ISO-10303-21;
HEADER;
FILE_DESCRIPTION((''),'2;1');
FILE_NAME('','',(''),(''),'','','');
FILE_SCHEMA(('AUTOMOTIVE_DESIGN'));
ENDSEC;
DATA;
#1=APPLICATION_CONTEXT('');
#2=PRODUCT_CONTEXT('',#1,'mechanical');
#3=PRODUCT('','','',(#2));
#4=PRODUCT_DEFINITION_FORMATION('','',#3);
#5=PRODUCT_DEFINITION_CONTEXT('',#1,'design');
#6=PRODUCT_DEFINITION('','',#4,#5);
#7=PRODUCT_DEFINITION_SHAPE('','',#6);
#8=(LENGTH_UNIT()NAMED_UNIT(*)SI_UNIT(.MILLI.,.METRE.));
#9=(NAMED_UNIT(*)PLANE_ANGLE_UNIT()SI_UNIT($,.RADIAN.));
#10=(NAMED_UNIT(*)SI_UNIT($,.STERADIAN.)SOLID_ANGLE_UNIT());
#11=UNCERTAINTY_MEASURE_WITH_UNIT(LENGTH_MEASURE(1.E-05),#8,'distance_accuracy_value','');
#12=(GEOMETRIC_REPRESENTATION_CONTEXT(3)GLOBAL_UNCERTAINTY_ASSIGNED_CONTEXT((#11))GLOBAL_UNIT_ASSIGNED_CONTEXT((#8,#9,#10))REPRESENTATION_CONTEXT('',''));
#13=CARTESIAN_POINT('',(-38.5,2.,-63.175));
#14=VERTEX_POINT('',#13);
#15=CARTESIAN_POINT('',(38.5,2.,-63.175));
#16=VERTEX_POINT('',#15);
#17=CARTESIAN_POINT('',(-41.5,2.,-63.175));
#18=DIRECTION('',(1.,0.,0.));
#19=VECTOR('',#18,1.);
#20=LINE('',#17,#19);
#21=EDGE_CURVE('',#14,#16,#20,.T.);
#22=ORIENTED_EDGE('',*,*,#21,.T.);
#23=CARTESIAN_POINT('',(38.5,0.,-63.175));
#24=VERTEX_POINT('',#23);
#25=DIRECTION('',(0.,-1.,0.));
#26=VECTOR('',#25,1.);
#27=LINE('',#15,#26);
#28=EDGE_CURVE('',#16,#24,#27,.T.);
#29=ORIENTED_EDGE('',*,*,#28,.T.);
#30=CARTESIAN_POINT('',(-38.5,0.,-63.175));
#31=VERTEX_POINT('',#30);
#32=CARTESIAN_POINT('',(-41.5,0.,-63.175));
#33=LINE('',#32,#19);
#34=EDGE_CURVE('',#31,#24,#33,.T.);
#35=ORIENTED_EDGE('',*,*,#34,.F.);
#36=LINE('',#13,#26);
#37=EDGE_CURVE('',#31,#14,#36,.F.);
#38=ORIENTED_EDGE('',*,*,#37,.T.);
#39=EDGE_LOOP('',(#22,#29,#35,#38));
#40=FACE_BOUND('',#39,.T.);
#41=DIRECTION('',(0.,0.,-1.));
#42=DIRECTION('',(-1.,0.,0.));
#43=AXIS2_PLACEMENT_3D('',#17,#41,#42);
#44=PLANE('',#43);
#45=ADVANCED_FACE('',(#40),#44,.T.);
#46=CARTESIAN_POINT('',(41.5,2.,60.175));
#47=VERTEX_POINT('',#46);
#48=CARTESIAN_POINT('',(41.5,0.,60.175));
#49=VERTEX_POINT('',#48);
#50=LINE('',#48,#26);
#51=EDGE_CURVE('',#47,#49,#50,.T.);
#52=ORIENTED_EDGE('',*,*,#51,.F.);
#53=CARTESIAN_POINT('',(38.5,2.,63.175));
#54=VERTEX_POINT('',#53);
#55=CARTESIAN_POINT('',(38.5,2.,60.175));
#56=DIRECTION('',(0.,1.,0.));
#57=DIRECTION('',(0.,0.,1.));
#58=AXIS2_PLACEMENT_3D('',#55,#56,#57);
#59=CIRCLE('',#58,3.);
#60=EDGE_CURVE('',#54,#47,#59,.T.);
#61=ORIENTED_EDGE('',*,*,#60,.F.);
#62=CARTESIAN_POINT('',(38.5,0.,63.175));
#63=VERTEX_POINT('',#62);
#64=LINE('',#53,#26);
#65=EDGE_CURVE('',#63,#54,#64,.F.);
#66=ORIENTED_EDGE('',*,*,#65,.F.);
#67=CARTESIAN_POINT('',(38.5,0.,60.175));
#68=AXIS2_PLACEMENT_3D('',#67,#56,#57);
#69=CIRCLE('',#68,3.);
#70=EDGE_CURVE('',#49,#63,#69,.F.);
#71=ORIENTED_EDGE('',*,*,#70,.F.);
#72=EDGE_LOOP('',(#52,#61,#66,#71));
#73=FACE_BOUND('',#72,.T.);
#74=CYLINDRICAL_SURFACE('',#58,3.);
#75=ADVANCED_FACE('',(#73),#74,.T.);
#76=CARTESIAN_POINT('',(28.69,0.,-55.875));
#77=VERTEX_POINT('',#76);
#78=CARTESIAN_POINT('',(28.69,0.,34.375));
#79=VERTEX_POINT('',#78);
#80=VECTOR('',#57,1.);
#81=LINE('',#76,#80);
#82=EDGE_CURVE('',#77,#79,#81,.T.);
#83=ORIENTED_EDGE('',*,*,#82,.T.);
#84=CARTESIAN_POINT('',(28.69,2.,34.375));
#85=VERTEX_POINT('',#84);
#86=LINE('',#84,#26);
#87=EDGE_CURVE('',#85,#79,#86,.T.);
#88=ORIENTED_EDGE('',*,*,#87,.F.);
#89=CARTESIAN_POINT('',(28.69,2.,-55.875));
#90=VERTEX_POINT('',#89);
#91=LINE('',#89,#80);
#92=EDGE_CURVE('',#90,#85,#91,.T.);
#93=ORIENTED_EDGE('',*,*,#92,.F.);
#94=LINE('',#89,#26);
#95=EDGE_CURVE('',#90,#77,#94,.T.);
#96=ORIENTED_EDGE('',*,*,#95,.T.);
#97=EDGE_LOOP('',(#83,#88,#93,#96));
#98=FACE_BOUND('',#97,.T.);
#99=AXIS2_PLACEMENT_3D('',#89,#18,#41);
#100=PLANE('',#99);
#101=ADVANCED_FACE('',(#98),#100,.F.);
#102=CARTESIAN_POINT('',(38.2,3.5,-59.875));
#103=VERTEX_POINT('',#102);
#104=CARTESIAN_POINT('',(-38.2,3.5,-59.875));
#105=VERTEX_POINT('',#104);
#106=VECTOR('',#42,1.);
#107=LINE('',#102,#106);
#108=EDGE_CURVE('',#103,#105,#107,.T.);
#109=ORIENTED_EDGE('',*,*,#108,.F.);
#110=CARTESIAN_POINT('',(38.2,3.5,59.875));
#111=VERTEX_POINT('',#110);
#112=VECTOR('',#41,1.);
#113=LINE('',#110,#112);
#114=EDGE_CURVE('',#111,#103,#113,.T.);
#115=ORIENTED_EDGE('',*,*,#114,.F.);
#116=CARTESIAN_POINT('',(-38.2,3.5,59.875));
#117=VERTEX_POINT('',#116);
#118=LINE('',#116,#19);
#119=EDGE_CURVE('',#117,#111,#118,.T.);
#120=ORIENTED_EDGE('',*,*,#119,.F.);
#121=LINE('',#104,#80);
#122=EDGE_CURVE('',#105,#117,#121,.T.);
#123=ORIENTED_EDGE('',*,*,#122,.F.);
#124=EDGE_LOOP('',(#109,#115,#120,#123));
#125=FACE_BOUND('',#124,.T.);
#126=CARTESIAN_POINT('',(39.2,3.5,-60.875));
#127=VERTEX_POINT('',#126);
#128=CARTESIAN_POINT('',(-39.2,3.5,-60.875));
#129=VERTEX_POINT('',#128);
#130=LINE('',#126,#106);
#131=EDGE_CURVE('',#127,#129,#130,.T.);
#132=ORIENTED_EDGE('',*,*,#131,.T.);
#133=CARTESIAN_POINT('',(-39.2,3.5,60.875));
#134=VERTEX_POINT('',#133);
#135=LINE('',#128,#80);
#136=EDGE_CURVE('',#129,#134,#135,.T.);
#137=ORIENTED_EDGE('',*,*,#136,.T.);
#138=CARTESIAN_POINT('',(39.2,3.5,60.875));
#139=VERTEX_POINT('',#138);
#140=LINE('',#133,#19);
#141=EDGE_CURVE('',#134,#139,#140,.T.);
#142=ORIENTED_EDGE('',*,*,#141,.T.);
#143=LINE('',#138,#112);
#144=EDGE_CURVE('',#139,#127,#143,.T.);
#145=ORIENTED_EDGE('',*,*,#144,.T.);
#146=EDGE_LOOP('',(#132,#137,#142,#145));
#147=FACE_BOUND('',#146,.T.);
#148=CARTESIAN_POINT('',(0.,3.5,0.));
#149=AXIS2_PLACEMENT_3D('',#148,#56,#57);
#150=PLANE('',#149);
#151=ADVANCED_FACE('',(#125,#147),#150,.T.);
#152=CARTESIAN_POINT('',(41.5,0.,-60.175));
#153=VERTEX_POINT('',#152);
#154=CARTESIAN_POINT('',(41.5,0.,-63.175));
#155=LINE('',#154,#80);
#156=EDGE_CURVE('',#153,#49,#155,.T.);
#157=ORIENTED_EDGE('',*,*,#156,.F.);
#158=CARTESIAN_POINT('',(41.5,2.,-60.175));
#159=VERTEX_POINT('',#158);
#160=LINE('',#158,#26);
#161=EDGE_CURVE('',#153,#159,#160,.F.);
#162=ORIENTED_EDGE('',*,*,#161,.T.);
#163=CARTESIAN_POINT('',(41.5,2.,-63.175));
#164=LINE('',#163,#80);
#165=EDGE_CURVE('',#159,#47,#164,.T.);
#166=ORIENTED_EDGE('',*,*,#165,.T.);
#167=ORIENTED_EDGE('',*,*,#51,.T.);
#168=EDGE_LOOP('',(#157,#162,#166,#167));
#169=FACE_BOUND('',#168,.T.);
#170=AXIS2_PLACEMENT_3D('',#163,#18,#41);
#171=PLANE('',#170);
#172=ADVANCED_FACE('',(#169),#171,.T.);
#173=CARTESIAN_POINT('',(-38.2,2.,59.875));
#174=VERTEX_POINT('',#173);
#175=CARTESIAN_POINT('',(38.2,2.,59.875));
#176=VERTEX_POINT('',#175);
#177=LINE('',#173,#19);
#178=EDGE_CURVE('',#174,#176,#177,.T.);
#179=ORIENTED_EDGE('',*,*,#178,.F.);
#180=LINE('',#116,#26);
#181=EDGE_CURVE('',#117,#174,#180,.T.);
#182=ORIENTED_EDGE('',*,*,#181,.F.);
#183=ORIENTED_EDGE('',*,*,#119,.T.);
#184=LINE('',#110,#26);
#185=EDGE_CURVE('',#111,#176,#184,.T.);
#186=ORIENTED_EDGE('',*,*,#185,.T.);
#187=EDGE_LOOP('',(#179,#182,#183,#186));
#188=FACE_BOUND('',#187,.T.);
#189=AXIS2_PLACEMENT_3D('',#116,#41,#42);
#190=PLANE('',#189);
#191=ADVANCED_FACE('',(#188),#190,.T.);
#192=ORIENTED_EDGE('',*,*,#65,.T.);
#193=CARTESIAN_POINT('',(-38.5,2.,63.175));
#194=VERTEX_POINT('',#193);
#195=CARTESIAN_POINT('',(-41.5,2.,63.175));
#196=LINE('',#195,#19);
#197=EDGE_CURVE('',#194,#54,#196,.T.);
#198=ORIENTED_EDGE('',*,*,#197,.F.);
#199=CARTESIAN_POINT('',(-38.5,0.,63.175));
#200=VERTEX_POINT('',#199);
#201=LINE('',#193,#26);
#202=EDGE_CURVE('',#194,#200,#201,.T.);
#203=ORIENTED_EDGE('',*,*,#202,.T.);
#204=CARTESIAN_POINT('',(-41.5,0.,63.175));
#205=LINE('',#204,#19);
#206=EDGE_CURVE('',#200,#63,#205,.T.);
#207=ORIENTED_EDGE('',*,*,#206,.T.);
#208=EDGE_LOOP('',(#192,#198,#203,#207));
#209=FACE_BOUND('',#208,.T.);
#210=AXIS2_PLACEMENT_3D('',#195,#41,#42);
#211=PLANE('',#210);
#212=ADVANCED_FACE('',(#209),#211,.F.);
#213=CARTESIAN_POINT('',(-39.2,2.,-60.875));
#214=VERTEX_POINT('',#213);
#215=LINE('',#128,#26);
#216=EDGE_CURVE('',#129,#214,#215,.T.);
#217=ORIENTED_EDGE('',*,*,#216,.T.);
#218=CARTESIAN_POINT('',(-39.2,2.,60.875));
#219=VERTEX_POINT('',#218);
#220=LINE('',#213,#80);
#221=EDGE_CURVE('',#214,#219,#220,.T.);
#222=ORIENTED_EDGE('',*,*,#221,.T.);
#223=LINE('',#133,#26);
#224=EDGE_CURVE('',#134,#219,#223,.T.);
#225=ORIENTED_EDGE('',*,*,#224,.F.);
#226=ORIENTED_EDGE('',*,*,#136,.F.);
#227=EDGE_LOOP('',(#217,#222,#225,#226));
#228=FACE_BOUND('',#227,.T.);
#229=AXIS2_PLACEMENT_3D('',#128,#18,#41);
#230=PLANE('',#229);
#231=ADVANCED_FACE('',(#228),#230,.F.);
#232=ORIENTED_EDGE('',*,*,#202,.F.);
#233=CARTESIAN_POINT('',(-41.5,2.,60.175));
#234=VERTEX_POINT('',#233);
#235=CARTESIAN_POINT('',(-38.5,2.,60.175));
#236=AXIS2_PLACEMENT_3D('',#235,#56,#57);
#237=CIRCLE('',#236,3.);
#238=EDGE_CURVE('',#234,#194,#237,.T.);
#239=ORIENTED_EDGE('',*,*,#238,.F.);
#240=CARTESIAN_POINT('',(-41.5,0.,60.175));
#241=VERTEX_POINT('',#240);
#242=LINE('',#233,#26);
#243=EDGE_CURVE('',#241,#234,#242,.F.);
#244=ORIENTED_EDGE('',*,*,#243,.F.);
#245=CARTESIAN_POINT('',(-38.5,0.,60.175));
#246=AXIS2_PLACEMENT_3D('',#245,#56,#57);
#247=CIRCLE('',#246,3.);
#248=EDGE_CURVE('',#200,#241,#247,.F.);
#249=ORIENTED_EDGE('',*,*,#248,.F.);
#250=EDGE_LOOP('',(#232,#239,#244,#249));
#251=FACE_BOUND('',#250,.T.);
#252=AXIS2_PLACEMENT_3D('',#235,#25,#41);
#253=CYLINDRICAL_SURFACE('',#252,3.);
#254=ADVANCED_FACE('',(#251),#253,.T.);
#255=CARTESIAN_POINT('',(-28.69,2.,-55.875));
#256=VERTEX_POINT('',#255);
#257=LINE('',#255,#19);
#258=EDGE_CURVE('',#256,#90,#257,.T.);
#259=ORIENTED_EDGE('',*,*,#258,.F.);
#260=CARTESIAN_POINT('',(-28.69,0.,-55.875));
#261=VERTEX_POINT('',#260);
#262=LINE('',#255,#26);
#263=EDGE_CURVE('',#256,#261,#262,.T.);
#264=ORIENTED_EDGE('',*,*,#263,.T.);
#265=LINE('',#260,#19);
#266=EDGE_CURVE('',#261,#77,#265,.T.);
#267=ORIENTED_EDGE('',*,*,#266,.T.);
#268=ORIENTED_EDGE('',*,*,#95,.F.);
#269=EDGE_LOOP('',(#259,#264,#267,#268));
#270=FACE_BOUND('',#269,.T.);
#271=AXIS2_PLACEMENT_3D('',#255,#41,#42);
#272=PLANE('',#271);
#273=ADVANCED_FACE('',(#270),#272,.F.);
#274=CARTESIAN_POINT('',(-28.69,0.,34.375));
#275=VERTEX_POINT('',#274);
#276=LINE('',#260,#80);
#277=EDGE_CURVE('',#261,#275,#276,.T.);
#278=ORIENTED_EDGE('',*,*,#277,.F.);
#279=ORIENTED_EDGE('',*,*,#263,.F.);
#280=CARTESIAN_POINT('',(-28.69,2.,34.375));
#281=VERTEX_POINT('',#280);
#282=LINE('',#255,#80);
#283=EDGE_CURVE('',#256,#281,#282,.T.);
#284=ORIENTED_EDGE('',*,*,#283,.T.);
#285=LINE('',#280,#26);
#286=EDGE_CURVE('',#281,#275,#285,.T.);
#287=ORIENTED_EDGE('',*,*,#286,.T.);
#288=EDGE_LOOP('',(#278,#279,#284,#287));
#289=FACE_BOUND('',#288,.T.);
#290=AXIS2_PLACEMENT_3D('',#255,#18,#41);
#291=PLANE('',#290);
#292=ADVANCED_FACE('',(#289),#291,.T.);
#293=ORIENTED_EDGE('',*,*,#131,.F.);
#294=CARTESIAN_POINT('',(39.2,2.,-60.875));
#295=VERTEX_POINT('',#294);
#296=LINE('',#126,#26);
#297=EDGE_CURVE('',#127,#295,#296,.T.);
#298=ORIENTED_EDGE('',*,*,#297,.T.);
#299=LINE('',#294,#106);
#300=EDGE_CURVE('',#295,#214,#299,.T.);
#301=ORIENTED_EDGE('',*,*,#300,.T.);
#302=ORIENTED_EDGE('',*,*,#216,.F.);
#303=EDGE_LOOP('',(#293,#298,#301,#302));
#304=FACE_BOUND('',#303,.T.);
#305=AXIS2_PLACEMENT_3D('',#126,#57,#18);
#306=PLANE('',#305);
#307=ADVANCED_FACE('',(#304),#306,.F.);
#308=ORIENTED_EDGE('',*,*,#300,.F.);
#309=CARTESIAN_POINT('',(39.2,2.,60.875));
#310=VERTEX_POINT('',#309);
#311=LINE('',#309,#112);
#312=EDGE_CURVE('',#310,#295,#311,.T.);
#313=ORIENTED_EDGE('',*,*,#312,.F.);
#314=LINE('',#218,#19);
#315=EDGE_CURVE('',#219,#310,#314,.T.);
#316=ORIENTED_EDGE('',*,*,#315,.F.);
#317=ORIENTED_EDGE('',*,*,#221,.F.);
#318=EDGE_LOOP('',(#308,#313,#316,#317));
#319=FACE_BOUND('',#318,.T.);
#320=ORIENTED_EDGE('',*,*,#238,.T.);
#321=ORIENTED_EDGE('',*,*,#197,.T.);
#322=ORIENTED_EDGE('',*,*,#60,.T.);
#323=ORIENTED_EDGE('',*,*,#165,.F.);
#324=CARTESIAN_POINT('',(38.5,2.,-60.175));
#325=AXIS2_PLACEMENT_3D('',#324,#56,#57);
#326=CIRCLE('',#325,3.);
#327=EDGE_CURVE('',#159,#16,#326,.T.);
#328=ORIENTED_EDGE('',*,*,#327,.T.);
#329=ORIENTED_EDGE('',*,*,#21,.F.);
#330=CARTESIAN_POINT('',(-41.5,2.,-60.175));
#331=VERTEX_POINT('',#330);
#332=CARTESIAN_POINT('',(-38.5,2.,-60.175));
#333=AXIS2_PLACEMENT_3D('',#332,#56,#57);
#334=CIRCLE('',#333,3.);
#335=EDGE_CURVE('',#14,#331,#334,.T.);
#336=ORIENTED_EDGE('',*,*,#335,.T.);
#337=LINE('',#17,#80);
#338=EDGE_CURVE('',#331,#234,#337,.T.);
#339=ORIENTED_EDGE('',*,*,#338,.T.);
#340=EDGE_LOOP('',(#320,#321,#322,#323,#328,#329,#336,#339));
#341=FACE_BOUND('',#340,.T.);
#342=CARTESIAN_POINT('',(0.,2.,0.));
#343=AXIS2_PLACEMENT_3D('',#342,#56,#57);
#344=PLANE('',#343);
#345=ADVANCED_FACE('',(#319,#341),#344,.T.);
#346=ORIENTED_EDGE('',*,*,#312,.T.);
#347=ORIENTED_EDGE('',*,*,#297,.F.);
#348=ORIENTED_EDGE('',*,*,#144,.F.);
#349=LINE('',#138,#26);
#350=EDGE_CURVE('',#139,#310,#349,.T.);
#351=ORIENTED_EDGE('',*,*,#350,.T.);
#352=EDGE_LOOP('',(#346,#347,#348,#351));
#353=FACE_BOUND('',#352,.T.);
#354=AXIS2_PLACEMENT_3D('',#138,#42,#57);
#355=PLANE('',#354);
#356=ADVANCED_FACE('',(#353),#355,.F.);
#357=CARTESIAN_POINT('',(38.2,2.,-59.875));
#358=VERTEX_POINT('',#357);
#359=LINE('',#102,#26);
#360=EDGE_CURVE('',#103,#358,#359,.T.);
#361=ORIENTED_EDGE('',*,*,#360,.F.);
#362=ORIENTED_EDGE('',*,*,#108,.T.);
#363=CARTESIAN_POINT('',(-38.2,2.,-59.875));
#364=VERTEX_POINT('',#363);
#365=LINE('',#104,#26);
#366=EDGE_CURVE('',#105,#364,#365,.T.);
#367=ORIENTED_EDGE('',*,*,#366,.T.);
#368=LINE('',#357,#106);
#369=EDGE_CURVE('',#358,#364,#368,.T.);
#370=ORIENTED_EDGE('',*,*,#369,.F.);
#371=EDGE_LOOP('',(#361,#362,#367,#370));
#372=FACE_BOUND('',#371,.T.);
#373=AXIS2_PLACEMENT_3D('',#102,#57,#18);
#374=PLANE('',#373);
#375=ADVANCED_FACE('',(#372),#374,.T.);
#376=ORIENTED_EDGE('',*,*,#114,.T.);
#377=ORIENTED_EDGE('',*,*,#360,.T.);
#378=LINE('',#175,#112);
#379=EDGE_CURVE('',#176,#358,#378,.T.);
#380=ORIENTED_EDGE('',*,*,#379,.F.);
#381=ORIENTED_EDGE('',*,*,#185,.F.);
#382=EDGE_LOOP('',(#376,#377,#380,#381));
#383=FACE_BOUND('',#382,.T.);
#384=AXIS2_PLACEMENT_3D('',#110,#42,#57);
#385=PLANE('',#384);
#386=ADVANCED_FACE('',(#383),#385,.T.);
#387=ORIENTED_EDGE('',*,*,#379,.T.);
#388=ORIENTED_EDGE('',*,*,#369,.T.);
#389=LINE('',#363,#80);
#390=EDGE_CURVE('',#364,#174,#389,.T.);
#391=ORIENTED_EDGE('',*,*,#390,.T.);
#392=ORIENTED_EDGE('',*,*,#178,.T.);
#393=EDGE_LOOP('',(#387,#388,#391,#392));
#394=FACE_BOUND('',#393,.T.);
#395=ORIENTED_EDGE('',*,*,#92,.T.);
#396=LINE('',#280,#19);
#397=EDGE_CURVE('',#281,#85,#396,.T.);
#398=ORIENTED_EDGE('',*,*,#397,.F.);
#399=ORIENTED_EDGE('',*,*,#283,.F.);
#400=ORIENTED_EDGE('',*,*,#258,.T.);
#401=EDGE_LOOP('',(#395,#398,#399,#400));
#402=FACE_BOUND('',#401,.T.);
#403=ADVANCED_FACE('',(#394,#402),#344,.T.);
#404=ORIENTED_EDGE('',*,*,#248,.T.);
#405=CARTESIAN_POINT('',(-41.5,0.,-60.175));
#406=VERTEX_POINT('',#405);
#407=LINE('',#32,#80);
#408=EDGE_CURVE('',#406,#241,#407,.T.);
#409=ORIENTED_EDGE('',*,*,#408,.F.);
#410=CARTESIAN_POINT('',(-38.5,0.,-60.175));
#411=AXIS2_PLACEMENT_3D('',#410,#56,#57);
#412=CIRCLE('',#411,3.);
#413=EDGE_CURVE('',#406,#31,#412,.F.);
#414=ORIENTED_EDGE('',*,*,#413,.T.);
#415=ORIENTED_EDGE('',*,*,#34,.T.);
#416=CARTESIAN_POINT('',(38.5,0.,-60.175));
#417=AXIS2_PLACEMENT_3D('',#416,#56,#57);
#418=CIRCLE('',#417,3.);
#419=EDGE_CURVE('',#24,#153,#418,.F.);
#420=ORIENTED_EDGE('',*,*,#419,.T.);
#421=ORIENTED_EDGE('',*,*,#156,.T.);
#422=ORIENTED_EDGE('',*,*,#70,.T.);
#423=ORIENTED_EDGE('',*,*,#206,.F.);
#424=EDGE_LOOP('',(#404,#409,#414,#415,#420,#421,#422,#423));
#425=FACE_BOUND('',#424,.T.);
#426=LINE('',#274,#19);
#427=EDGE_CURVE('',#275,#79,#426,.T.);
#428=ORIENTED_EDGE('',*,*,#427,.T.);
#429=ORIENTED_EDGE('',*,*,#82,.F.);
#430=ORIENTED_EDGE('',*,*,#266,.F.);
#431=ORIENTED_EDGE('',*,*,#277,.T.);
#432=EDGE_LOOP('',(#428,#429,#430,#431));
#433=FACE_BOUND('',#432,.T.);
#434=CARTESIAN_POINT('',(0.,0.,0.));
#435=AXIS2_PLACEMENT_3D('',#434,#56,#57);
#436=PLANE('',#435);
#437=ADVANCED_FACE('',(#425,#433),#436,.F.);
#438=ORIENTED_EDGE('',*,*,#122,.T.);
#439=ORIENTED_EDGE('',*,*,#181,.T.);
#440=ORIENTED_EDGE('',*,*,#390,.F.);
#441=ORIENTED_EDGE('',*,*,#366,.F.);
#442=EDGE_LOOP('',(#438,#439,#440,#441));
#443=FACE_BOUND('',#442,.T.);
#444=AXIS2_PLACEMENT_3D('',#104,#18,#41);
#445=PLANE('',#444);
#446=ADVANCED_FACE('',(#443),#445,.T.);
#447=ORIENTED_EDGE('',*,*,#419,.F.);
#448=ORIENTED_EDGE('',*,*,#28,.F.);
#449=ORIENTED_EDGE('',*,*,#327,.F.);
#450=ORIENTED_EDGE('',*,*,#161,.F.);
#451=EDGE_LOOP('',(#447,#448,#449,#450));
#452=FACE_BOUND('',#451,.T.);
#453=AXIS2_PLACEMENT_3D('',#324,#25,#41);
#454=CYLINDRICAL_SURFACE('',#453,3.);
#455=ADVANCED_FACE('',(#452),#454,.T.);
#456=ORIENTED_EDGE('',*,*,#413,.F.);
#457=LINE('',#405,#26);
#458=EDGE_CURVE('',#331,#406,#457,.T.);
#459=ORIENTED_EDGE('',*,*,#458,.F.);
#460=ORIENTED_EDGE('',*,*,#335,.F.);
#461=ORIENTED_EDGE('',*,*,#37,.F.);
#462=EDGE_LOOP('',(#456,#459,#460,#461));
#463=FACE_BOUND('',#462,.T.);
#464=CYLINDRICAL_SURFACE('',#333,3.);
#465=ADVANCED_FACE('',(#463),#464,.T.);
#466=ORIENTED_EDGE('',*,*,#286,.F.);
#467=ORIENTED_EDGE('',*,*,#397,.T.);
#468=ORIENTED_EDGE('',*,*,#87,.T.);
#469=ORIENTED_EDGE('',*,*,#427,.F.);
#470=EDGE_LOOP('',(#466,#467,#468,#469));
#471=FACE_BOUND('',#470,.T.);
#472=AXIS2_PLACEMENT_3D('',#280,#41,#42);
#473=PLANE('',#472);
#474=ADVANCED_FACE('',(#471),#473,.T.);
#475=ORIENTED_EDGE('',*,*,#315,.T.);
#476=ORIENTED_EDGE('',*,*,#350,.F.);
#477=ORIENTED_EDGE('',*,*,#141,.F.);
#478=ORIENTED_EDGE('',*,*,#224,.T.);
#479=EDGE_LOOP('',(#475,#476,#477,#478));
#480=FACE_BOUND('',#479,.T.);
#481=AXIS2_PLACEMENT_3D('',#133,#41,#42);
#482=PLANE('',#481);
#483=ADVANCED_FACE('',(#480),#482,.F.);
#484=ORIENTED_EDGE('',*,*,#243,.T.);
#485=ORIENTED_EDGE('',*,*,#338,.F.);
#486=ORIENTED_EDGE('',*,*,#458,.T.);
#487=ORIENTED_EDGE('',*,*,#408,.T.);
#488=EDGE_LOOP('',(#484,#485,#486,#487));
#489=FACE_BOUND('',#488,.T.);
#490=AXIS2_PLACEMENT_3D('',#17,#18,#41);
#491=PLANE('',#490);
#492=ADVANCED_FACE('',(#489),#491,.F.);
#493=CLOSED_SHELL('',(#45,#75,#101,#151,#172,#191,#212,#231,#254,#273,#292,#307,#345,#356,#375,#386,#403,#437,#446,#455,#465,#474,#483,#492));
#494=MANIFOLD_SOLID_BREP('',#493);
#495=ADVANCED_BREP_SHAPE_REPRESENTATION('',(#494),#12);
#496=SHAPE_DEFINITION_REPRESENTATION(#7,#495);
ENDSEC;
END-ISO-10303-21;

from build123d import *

# Parameters (mm, degrees)
SKETCH1_W           = 83
SKETCH1_H           = 126.35
SKETCH1_W_2         = 57.38
SKETCH1_H_2         = 90.25
BOSS_EXTRUDE1_DEPTH = 2
SKETCH2_W           = 78.4
SKETCH2_H           = 121.75
SKETCH2_W_2         = 76.4
SKETCH2_H_2         = 119.75
BOSS_EXTRUDE2_DEPTH = 1.5
FILLET1_R           = 3


with BuildPart() as part:
    # Sketch1 → Boss-Extrude1 (new body)
    with BuildSketch(Plane(origin=(0, 0, 0), x_dir=(1, 0, 0), z_dir=(0, 1, 0))):
        Rectangle(SKETCH1_W, SKETCH1_H)
        with Locations((0, 10.75)):
            Rectangle(SKETCH1_W_2, SKETCH1_H_2, mode=Mode.SUBTRACT)
    extrude(amount=BOSS_EXTRUDE1_DEPTH)

    # Sketch2 → Boss-Extrude2 (add)
    with BuildSketch(Plane(origin=(0, 2, 0), x_dir=(1, 0, 0), z_dir=(0, 1, 0))):
        Rectangle(SKETCH2_W, SKETCH2_H)
        Rectangle(SKETCH2_W_2, SKETCH2_H_2, mode=Mode.SUBTRACT)
    extrude(amount=BOSS_EXTRUDE2_DEPTH)

    # Fillet1
    fillet1_edges = [part.edges().sort_by_distance(p)[0] for p in [
        (-41.5, 1, -63.175),
        (41.5, 1, -63.175),
        (41.5, 1, 63.175),
        (-41.5, 1, 63.175),
    ]]
    fillet(fillet1_edges, radius=FILLET1_R)


solid = part.part
